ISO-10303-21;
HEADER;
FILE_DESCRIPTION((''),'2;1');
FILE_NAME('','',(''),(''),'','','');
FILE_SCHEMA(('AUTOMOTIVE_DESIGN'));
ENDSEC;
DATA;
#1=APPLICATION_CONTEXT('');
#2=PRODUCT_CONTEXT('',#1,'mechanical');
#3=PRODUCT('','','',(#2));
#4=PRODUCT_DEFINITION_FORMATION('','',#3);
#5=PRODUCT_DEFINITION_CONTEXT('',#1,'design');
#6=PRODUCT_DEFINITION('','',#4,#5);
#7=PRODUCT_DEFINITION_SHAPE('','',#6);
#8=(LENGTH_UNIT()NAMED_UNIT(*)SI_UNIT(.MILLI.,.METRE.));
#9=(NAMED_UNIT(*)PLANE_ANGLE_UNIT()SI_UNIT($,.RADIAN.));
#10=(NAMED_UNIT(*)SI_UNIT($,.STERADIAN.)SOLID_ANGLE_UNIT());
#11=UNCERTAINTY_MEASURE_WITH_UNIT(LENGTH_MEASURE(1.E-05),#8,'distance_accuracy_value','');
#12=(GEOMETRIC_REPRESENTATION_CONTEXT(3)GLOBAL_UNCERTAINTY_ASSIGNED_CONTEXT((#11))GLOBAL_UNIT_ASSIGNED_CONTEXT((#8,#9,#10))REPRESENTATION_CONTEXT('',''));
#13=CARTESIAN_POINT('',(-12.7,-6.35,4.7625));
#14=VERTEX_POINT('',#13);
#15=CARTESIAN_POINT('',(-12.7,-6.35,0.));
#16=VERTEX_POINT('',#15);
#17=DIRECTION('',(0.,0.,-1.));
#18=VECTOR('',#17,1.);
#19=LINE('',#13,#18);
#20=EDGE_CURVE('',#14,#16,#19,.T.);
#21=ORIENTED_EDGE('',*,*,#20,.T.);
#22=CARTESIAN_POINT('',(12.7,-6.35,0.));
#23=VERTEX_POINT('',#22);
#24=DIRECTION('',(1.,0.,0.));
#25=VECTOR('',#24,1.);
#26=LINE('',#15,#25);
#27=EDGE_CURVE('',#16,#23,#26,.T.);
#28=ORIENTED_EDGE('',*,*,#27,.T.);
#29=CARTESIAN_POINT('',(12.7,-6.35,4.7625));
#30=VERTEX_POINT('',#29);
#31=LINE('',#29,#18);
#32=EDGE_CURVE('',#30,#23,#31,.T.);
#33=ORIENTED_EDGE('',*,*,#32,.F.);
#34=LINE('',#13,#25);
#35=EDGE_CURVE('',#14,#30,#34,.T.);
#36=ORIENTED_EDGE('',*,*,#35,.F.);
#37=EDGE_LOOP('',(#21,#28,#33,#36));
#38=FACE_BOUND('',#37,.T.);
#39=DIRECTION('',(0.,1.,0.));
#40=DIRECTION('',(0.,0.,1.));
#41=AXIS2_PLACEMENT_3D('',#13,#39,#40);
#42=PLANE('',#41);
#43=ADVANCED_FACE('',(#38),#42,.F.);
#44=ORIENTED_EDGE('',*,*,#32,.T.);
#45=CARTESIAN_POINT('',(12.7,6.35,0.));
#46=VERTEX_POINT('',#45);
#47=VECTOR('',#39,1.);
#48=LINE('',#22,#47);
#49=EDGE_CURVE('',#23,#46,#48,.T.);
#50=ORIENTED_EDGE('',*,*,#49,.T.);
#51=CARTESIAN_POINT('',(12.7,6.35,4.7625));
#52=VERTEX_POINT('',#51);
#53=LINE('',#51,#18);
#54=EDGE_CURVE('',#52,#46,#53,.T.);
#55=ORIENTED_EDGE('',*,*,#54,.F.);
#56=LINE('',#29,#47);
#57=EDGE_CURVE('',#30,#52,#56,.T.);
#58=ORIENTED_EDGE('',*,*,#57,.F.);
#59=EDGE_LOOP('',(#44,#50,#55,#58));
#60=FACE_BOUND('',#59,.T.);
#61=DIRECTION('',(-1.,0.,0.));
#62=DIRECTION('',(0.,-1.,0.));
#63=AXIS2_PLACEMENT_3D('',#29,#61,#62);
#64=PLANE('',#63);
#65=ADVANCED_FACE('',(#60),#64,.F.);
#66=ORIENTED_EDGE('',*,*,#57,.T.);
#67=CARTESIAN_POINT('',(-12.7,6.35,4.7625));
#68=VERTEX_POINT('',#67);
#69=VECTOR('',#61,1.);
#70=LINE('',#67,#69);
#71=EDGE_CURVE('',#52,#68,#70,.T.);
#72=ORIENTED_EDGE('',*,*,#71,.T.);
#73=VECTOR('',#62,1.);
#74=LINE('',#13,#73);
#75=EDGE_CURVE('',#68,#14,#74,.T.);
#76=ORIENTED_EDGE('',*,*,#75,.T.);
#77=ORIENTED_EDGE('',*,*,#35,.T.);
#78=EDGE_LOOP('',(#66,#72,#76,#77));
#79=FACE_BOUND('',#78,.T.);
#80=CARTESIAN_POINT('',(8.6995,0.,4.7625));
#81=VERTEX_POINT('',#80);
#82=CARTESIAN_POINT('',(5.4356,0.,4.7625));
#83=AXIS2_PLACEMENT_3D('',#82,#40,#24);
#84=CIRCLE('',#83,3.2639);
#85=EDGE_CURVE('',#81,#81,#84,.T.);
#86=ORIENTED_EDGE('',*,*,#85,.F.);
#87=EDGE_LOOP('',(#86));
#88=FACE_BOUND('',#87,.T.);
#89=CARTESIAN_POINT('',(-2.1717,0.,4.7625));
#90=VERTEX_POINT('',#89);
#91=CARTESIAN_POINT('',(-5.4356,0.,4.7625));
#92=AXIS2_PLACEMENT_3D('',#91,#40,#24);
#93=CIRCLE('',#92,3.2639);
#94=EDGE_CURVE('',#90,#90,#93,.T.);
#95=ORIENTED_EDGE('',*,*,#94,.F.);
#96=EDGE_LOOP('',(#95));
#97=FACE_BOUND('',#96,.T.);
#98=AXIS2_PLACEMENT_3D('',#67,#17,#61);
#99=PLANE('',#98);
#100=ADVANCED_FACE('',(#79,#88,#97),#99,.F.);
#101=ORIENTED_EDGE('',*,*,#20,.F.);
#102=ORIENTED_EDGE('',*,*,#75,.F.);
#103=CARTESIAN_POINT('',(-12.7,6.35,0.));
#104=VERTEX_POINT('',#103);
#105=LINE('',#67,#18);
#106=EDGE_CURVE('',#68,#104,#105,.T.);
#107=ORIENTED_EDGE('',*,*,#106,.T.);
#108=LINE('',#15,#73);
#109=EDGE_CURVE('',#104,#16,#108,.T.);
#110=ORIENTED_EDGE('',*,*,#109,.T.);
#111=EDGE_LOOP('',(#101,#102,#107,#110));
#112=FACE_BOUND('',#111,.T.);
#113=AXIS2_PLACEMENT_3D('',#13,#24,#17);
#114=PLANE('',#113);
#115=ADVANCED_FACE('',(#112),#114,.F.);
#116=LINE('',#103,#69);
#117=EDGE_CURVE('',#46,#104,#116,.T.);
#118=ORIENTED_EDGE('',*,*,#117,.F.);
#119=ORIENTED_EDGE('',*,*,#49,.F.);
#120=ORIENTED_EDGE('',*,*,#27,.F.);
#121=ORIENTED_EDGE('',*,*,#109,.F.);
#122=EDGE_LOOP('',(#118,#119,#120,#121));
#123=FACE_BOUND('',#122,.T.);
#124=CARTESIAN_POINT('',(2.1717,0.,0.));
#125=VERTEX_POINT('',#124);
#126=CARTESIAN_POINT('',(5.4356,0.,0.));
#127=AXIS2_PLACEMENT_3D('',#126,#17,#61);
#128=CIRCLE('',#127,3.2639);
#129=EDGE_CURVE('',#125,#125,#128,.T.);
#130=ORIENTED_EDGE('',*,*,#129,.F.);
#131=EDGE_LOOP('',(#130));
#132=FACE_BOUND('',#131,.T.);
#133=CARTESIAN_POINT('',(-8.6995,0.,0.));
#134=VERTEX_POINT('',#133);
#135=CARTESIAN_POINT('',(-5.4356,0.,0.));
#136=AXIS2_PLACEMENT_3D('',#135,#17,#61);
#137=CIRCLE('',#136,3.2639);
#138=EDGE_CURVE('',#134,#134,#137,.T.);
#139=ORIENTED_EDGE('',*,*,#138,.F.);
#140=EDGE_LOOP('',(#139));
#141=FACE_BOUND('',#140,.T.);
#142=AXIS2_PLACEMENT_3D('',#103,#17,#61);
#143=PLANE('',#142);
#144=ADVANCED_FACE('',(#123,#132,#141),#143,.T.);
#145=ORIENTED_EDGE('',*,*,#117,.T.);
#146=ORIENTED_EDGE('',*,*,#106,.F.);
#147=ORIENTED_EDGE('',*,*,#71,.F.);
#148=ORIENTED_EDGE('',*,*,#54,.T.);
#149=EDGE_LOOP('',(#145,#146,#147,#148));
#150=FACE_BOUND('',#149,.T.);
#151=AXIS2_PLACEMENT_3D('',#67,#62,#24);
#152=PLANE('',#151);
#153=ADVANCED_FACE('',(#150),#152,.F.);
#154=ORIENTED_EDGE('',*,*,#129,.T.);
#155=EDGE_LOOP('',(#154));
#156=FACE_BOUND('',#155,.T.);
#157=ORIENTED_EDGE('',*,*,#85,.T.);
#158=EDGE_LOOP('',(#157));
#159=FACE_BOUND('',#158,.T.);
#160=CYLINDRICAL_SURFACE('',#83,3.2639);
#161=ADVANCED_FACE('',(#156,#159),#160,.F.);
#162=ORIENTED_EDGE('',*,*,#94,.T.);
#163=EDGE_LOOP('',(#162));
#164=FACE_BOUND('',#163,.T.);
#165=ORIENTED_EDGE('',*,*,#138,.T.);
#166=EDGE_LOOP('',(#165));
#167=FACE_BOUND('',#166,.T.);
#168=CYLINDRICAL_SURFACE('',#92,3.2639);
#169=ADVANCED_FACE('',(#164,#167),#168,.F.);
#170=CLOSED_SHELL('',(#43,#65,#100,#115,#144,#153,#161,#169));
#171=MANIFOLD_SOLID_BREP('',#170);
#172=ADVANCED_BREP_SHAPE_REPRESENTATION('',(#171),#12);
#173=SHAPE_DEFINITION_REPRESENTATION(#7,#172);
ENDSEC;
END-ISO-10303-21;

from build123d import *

# Parameters (mm, degrees)
SKETCH1_W                    = 25.4
SKETCH1_H                    = 12.7
EXTRUDE1_DEPTH               = 4.7625
F_0_257_DIAMETER_HOLE1_D     = 6.5278
F_0_257_DIAMETER_HOLE1_DEPTH = 12.7
F_0_257_DIAMETER_HOLE1_TIP   = 1.961148974


with BuildPart() as part:
    # Sketch1 → Extrude1 (new body)
    with BuildSketch(Plane.XY):
        Rectangle(SKETCH1_W, SKETCH1_H)
    extrude(amount=EXTRUDE1_DEPTH)

    # F (0.257) Diameter Hole1
    with Locations(Plane(origin=(-5.4356, 0, 4.7625), x_dir=(1, 0, 0), z_dir=(0, 0, 1))):
        with Locations((0, 0), (10.8712, 0)):
            Hole(F_0_257_DIAMETER_HOLE1_D / 2, depth=F_0_257_DIAMETER_HOLE1_DEPTH)
            with Locations((0, 0, -(F_0_257_DIAMETER_HOLE1_DEPTH + F_0_257_DIAMETER_HOLE1_TIP / 2))):  # 118° drill point
                Cone(0, F_0_257_DIAMETER_HOLE1_D / 2, F_0_257_DIAMETER_HOLE1_TIP, mode=Mode.SUBTRACT)


solid = part.part
